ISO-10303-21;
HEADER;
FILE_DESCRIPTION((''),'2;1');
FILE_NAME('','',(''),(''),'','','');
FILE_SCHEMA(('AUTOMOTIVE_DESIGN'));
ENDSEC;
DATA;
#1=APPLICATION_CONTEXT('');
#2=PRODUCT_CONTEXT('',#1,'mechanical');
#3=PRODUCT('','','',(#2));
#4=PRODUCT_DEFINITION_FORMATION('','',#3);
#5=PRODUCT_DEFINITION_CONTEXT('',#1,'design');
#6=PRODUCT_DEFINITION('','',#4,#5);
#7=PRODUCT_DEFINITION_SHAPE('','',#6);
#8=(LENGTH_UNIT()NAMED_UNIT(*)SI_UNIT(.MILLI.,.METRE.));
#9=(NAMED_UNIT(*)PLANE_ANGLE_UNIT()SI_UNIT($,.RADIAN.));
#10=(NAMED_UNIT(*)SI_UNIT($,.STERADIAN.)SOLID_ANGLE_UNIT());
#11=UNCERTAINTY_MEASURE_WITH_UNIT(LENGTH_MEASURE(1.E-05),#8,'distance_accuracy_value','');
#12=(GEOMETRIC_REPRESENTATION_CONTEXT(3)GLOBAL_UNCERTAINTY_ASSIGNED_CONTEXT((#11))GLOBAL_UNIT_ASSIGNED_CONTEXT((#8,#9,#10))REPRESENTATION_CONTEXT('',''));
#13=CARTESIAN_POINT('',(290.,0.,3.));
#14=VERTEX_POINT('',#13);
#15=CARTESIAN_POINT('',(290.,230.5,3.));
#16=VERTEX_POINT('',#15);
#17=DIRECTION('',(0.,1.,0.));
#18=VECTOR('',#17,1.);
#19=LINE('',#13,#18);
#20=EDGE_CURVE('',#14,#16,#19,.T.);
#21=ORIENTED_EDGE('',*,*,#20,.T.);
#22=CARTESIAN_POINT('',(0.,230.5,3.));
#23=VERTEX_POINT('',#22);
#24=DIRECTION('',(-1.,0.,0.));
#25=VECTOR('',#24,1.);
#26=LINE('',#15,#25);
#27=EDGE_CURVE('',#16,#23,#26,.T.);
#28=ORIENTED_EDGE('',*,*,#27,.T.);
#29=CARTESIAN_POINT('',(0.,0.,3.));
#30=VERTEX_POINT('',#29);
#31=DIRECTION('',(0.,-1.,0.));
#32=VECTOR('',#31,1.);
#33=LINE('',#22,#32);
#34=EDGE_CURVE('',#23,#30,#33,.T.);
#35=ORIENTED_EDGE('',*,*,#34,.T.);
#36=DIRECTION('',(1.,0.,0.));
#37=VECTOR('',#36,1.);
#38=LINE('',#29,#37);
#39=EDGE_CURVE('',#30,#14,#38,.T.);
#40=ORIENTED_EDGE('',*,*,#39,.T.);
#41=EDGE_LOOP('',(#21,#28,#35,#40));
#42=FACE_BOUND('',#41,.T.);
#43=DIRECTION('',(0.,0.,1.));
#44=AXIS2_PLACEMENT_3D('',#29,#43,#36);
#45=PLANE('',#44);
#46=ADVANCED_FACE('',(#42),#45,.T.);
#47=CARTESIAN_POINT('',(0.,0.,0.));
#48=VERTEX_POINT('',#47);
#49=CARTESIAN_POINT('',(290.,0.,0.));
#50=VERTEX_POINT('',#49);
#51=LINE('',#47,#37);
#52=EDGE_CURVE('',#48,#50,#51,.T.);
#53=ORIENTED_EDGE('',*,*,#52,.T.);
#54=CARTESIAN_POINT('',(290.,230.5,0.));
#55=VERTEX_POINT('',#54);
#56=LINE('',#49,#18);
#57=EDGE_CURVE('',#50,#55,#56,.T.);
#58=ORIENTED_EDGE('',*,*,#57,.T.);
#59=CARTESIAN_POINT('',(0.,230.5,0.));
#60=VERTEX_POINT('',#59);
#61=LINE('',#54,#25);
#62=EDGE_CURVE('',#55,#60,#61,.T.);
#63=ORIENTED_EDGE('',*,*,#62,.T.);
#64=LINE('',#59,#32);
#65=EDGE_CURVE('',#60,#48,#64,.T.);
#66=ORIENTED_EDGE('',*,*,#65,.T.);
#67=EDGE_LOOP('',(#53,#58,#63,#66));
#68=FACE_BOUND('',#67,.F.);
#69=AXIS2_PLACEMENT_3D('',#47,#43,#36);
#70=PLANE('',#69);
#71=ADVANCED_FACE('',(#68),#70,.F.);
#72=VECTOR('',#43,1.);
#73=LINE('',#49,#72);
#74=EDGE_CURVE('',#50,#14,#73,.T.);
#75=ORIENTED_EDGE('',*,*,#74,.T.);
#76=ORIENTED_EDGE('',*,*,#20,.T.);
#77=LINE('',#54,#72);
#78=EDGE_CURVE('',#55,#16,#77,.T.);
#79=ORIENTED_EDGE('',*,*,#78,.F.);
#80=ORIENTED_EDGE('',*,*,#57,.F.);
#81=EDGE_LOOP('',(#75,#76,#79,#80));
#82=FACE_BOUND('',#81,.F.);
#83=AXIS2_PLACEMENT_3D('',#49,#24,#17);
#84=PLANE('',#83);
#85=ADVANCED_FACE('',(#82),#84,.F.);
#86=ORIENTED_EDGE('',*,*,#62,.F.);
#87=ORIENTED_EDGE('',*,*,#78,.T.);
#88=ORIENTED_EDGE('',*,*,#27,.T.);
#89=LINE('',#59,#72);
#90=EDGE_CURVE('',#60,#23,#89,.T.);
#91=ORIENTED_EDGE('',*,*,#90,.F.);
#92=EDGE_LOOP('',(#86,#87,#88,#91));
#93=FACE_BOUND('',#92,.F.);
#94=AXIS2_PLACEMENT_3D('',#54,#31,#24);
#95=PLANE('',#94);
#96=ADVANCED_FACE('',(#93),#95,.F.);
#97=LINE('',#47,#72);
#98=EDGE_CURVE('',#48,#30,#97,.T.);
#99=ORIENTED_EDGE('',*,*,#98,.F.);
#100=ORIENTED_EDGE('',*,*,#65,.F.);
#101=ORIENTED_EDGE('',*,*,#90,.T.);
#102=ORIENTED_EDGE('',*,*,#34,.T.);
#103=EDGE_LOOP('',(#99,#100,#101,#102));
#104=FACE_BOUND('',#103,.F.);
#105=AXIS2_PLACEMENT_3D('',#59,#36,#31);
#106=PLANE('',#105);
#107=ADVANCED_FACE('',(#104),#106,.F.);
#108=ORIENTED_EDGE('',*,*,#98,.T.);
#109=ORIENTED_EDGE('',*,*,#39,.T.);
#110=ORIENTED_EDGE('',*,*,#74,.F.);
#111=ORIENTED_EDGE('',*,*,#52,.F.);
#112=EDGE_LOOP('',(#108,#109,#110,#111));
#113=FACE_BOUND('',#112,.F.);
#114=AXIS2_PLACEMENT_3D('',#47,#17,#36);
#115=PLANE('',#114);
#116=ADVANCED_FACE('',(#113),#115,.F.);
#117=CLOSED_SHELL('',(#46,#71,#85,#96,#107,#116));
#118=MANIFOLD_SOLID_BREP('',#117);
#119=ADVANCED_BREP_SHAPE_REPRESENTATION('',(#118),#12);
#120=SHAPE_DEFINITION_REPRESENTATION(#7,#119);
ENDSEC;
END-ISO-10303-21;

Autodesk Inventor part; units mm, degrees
ref_plane "YZ Plane" through (0, 0, 0) normal (1, 0, 0) x (0, 1, 0)
ref_plane "XZ Plane" through (0, 0, 0) normal (0, 1, 0) x (-1, 0, 0)
ref_plane "XY Plane" through (0, 0, 0) normal (0, 0, 1) x (1, 0, 0)
sketch "Sketch1" plane through (0, 0, 0) normal (0, 0, 1) x (1, 0, 0)
  line L0 (0, 0) -> (290, 0)
  line L1 (290, 0) -> (290, 230.5)
  line L2 (290, 230.5) -> (0, 230.5)
  line L3 (0, 230.5) -> (0, 0)
  dimension "d0" = 290
  dimension "d1" = 230.5
extrude "Extrusion1" add sketch "Sketch1" along normal blind 3
properties part number "UltibotsGlass230x290" material "Glass"
